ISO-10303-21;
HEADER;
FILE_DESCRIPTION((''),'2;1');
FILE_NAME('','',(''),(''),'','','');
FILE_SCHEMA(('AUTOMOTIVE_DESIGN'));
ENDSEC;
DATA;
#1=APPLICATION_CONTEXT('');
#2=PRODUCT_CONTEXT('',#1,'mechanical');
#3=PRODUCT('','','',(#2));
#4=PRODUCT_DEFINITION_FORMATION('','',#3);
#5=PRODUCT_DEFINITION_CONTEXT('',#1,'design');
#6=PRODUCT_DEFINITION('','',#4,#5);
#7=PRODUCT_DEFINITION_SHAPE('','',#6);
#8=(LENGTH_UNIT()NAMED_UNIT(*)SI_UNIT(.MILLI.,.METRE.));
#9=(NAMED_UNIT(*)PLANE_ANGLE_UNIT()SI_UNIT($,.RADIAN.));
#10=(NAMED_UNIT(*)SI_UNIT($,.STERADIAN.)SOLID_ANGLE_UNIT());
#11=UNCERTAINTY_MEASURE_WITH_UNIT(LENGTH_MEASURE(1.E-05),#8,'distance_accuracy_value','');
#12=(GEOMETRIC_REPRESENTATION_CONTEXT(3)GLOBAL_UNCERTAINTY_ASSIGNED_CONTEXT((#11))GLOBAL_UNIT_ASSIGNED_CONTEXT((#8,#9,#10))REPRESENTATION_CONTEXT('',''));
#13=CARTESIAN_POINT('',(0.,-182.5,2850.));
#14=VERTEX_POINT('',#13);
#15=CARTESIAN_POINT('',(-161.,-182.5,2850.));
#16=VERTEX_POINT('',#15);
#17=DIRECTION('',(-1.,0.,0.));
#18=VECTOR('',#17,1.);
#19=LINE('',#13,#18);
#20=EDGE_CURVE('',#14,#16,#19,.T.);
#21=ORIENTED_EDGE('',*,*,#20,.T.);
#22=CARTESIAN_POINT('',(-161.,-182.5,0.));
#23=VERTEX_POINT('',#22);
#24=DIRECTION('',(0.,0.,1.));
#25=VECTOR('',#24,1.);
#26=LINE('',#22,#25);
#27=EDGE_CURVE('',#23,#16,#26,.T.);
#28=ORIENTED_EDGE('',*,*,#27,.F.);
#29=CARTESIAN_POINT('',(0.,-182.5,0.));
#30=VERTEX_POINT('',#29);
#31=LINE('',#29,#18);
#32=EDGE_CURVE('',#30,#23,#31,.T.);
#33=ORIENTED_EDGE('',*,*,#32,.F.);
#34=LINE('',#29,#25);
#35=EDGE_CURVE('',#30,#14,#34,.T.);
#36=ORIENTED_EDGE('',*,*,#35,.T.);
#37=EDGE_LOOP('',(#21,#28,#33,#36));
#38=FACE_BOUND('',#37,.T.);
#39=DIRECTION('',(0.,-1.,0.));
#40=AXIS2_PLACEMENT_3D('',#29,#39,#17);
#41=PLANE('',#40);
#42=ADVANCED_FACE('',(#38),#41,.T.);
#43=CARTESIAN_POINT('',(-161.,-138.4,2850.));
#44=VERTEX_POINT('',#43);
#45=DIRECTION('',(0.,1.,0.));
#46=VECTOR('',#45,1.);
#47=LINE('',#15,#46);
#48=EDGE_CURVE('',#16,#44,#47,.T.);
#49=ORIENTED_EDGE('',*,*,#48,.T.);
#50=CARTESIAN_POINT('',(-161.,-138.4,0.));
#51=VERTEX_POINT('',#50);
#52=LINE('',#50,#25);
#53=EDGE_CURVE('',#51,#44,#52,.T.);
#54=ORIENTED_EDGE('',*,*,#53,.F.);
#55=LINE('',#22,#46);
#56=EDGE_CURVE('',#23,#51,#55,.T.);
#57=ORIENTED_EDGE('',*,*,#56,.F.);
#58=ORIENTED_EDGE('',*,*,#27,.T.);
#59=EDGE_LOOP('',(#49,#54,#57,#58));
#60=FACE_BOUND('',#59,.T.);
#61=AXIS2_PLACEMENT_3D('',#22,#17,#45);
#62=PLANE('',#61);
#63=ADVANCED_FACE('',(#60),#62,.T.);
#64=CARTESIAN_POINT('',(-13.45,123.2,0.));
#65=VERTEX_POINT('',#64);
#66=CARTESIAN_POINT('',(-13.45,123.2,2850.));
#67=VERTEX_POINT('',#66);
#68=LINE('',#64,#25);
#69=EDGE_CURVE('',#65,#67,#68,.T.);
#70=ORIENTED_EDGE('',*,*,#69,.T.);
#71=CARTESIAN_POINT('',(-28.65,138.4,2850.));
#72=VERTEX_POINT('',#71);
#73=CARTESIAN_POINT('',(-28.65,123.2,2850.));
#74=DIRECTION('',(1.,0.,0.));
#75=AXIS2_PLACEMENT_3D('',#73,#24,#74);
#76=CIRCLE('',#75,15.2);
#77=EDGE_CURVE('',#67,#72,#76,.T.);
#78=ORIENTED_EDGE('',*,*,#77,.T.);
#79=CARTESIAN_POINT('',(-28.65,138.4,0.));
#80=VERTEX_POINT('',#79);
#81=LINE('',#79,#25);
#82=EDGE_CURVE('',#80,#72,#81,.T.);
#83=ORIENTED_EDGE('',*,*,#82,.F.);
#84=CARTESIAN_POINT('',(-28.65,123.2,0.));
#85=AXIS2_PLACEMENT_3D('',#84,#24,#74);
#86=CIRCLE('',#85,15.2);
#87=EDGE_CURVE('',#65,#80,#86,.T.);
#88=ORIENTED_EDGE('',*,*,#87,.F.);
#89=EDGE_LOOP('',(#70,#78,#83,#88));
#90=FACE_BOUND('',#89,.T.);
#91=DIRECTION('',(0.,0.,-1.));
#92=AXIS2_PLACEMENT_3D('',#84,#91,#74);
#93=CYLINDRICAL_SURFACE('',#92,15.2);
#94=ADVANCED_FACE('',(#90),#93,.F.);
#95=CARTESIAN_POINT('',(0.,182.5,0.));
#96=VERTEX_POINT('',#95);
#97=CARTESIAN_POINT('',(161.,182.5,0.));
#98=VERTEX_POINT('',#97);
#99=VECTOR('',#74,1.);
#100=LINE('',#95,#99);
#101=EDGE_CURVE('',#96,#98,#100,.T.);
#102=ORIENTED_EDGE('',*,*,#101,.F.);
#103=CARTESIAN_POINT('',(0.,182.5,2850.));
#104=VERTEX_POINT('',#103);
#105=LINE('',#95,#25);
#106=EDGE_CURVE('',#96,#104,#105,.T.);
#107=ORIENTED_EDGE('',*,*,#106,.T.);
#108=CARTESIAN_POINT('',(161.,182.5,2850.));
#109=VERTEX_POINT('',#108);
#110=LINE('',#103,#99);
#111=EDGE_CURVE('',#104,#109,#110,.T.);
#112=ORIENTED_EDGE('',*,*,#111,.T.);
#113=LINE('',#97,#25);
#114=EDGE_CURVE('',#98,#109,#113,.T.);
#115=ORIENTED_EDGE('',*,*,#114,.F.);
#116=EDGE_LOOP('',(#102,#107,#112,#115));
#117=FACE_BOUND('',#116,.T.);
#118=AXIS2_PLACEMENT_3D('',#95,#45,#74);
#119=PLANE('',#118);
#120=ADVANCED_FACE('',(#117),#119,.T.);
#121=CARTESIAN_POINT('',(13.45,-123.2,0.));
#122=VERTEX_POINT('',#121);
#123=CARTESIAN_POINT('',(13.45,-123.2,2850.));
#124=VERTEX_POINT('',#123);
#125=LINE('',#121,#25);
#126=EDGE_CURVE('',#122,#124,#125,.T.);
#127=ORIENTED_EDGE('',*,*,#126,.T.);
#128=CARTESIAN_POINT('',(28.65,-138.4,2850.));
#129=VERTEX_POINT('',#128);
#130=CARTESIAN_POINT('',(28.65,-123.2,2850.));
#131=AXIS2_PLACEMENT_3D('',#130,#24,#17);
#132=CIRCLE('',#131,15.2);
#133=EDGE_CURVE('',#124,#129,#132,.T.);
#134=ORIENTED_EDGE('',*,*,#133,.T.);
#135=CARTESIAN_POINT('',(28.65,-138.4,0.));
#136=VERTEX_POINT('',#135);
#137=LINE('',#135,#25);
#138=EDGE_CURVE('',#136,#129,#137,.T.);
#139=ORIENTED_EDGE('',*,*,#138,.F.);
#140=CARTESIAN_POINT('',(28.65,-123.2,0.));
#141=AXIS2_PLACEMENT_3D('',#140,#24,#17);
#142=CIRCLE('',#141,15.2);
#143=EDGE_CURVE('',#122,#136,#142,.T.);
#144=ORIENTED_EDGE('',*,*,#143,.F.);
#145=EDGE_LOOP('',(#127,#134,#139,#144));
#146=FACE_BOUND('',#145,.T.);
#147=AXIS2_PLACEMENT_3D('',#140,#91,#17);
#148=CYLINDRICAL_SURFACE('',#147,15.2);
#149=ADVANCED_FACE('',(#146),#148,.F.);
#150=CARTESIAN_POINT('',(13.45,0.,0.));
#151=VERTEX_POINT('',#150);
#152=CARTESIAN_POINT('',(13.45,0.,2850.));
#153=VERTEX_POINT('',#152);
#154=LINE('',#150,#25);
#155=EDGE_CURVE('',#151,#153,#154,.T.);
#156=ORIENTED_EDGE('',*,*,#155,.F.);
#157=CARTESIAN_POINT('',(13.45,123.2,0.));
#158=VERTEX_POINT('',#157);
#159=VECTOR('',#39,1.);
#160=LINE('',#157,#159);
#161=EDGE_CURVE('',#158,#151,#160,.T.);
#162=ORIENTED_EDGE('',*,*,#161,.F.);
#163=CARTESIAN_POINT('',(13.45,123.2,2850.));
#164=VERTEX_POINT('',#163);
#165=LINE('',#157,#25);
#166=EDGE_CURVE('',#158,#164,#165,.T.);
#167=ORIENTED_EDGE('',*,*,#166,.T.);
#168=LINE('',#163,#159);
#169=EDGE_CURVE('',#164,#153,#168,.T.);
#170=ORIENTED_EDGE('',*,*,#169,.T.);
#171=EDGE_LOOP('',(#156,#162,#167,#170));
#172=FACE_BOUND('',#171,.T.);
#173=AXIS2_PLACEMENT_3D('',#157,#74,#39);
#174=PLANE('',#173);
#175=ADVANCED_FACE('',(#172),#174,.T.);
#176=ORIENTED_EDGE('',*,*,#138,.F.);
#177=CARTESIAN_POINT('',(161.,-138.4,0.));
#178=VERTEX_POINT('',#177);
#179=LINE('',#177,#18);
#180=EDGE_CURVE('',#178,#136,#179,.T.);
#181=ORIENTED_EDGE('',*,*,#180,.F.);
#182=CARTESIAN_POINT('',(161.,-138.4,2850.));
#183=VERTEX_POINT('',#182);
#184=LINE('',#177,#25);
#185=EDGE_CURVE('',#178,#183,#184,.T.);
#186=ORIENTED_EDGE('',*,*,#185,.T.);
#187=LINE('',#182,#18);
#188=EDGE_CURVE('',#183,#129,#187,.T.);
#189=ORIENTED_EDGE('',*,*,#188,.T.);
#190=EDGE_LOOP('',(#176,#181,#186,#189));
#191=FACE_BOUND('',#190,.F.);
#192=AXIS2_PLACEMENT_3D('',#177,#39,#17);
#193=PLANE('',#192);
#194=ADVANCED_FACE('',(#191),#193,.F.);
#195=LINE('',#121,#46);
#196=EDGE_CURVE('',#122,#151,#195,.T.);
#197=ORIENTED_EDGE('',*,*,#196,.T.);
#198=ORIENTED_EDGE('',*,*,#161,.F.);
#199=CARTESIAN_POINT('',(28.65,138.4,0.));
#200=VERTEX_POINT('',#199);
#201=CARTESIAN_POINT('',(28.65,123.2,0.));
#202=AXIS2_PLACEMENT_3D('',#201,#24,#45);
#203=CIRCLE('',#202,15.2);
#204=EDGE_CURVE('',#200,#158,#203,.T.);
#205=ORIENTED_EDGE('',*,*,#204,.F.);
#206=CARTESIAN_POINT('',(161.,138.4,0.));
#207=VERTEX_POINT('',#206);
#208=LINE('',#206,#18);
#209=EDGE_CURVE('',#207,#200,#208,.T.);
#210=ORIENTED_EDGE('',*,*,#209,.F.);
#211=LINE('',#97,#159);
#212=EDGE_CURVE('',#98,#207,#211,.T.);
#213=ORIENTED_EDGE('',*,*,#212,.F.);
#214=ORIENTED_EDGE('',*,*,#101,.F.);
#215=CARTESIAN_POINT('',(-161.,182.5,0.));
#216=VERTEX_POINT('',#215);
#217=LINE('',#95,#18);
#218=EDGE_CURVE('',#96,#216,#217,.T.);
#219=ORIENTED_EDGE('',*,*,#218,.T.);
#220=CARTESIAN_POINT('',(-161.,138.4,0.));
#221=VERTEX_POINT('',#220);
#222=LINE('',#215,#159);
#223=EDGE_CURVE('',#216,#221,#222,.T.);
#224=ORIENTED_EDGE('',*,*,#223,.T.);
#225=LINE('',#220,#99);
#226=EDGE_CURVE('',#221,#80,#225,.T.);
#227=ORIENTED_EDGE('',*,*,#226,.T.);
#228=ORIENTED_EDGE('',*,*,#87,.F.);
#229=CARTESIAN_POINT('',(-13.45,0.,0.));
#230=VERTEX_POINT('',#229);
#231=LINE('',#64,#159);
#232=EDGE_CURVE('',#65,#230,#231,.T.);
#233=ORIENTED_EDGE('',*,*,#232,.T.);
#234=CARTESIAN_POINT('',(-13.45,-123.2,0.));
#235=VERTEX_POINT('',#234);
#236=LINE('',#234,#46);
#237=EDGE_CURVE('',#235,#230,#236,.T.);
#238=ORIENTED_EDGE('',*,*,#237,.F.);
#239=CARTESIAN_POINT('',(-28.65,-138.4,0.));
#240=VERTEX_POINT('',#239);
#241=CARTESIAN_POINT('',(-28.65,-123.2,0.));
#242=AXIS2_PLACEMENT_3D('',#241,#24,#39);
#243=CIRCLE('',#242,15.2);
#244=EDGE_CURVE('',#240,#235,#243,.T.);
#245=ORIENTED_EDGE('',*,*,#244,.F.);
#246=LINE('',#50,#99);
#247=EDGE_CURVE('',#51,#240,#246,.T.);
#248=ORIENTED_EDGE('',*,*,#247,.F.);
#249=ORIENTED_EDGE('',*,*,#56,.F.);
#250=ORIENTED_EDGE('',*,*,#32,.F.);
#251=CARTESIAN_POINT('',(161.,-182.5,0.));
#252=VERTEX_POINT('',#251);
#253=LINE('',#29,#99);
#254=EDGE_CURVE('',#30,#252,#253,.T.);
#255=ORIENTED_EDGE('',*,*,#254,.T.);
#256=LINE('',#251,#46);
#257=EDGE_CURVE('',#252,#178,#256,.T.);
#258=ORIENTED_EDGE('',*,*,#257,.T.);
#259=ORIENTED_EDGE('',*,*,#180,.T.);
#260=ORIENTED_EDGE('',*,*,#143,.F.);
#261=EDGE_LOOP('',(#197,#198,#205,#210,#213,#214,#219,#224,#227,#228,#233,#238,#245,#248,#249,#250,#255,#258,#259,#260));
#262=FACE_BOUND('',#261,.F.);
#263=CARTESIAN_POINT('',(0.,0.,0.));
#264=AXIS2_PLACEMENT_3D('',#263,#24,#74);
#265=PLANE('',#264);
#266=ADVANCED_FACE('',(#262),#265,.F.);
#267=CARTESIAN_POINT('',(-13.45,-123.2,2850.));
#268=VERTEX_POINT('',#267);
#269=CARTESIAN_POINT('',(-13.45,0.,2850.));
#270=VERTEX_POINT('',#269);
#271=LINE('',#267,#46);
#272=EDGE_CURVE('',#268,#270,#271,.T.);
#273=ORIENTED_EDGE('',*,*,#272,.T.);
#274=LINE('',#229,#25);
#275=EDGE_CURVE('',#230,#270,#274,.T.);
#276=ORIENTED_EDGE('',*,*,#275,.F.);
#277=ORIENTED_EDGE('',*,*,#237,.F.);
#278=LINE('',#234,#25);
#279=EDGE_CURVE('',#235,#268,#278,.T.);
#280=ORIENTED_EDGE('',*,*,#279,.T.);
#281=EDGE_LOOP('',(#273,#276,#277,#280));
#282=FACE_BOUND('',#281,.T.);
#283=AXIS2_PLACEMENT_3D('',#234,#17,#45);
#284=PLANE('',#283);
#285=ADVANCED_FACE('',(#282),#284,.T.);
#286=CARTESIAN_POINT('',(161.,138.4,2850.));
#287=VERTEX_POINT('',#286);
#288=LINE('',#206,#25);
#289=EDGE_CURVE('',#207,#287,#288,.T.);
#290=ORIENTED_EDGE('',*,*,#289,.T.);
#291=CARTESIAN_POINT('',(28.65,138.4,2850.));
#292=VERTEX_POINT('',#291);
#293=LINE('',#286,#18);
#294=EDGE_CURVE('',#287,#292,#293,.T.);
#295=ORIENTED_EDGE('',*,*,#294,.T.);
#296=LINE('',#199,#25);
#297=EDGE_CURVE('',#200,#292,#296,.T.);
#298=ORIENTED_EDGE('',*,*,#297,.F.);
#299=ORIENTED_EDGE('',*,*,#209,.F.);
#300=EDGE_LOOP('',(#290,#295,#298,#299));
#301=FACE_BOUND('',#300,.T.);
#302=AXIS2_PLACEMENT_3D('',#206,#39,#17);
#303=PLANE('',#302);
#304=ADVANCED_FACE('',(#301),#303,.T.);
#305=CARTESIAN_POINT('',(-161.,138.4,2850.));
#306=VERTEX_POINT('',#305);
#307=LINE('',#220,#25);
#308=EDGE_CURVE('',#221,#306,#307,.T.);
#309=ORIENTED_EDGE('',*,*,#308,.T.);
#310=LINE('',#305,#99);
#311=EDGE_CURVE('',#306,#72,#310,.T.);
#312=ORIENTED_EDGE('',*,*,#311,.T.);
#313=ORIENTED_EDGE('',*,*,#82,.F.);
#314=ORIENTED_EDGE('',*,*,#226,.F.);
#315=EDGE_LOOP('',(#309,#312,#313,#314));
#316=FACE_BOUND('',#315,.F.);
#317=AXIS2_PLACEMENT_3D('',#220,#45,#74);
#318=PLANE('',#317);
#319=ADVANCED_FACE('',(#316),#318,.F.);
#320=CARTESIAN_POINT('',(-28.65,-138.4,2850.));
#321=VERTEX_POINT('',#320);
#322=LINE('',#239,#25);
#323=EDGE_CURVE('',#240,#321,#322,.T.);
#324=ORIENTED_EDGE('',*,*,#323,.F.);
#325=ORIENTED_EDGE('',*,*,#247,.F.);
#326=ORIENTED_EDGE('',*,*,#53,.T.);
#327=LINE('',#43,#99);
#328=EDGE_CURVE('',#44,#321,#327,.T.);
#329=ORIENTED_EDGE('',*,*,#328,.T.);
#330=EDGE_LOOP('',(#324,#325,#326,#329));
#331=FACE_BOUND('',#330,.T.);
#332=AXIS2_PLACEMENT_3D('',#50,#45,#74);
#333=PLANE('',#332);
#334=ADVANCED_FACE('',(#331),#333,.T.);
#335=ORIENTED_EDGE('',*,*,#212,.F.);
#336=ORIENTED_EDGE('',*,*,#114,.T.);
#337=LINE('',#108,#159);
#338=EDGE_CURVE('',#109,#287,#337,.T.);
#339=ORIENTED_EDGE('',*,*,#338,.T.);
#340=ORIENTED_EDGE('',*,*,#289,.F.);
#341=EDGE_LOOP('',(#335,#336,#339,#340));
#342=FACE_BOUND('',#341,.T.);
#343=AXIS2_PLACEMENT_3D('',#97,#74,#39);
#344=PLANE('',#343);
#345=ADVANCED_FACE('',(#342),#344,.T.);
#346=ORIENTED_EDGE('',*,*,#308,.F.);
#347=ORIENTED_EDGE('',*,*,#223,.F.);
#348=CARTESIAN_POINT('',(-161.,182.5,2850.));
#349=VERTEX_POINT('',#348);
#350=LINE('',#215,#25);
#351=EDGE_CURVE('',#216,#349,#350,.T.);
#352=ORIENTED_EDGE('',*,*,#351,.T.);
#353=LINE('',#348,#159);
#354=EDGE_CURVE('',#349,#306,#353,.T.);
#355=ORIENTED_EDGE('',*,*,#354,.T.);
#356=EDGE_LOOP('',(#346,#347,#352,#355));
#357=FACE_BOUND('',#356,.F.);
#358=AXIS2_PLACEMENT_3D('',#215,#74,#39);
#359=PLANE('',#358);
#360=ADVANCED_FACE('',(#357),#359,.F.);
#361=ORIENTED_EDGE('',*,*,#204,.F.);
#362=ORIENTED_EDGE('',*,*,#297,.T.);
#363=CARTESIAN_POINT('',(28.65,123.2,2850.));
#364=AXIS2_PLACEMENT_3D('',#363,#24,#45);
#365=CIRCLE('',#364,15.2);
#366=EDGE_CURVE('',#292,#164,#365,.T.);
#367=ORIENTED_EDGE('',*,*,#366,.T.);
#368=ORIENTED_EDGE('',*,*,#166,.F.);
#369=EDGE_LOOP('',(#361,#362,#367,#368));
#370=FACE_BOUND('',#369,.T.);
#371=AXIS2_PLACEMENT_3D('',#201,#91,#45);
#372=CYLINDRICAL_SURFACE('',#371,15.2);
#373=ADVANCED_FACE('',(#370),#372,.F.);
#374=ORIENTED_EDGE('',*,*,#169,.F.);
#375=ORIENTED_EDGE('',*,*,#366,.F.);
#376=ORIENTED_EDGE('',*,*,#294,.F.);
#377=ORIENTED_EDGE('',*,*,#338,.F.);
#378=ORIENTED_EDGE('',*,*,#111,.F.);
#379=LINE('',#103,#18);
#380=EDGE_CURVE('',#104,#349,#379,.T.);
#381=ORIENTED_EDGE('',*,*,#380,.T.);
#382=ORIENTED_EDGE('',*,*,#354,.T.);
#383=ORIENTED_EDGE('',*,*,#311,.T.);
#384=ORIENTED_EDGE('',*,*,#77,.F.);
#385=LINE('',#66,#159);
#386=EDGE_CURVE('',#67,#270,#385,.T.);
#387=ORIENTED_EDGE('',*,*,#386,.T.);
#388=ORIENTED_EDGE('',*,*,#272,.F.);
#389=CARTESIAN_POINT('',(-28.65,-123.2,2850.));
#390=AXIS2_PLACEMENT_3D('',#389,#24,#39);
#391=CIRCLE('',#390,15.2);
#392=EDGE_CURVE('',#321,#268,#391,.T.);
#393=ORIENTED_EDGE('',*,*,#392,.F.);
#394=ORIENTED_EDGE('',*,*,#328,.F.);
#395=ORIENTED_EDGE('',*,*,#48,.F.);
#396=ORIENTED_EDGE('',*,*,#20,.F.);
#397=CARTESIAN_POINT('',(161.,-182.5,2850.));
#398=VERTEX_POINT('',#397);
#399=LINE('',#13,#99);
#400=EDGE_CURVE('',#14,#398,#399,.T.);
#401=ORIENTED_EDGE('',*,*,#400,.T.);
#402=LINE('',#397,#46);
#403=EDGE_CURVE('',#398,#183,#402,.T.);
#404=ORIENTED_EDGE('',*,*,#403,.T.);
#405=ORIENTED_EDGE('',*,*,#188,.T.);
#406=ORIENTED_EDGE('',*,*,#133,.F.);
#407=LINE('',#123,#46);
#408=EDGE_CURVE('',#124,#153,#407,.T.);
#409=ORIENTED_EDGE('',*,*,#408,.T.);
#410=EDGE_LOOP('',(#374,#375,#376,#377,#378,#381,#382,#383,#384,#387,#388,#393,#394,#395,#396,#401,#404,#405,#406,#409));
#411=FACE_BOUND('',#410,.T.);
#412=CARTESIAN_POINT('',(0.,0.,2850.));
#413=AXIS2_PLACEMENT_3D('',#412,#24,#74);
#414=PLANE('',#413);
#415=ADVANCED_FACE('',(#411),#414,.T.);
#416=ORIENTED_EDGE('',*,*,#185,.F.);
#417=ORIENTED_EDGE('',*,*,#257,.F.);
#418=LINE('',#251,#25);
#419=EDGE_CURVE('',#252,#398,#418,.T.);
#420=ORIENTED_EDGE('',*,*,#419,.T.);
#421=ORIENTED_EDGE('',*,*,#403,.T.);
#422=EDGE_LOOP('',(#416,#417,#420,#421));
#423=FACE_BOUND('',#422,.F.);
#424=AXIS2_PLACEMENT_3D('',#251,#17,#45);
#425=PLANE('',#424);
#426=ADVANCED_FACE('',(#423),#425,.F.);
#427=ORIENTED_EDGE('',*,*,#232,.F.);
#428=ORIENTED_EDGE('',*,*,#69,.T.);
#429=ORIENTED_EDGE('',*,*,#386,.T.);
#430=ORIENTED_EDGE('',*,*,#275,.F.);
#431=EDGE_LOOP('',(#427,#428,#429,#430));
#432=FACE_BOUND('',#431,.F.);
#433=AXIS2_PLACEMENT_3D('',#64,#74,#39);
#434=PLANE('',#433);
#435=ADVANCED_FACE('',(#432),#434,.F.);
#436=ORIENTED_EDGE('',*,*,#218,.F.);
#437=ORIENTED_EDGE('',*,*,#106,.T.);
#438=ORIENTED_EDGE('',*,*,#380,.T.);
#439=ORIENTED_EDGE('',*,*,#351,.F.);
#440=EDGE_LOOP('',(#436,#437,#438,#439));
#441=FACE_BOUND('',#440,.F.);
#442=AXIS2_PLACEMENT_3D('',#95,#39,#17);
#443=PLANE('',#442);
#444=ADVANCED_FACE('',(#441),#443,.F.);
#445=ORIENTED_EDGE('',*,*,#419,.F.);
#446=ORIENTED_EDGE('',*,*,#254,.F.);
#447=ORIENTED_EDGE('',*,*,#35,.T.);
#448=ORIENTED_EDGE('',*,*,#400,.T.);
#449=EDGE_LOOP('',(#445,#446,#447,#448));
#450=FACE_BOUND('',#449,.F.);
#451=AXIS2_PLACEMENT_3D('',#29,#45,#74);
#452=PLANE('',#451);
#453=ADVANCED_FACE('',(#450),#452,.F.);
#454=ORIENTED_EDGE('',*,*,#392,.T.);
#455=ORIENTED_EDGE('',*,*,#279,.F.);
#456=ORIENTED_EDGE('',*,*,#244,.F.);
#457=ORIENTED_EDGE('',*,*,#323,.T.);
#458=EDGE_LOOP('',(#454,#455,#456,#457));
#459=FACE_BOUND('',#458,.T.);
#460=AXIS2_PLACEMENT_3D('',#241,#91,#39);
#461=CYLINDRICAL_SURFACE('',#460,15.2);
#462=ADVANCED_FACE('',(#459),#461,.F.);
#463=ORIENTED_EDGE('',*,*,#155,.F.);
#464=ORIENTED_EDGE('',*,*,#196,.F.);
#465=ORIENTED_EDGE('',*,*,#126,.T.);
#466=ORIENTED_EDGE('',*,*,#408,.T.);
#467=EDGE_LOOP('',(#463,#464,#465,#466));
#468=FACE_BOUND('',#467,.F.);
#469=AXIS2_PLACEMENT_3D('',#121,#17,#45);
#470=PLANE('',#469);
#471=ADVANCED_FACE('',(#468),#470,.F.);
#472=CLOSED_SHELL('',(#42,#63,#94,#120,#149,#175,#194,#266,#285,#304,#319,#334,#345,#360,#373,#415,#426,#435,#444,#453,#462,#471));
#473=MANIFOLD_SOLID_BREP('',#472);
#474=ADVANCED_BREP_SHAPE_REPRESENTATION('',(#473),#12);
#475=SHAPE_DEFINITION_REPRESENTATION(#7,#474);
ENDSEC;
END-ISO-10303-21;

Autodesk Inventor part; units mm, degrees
ref_plane "YZ Plane" through (0, 0, 0) normal (1, 0, 0) x (0, 1, 0)
ref_plane "Start plane" through (0, 0, 0) normal (0, 0, 1) x (1, 0, 0)
ref_plane "End plane" through (0, 0, 2850) normal (0, 0, 1) x (1, 0, 0)
sketch "Sketch" plane through (0, 0, 0) normal (0, 0, 1) x (1, 0, 0)
  line L0 (-161, -182.5) -> (-161, -138.4)
  line L1 (-161, -138.4) -> (-28.65, -138.4)
  line L2 (-13.45, -123.2) -> (-13.45, 0)
  line L3 (-13.45, 0) -> (0, 0) construction
  line L4 (0, 0) -> (0, -182.5) construction
  line L5 (0, -182.5) -> (-161, -182.5)
  line L6 (-60, 0) -> (80, 0) construction
  line L7 (0, -60) -> (0, 80) construction
  line L8 (161, -182.5) -> (161, -138.4)
  line L9 (161, -138.4) -> (28.65, -138.4)
  line L10 (13.45, -123.2) -> (13.45, 0)
  line L11 (13.45, 0) -> (0, 0) construction
  line L12 (0, -182.5) -> (161, -182.5)
  line L13 (-161, 182.5) -> (-161, 138.4)
  line L14 (-161, 138.4) -> (-28.65, 138.4)
  line L15 (-13.45, 123.2) -> (-13.45, 0)
  line L16 (0, 182.5) -> (-161, 182.5)
  line L17 (161, 182.5) -> (161, 138.4)
  line L18 (161, 138.4) -> (28.65, 138.4)
  line L19 (0, 182.5) -> (161, 182.5)
  line L20 (13.45, 123.2) -> (13.45, 0)
  arc A0 (-13.45, 123.2) -> (-28.65, 138.4) centre (-28.65, 123.2) ccw
  arc A1 (28.65, 138.4) -> (13.45, 123.2) centre (28.65, 123.2) ccw
  arc A2 (13.45, -123.2) -> (28.65, -138.4) centre (28.65, -123.2) ccw
  arc A3 (-28.65, -138.4) -> (-13.45, -123.2) centre (-28.65, -123.2) ccw
  line L21 (0, 108) -> (0, -88) construction
  line L22 (-88, 0) -> (108, 0) construction
  point P0 (-13.45, -138.4)
  point P1 (13.45, -138.4)
  point P2 (-13.45, 138.4)
  point P3 (13.45, 138.4)
  dimension "d1" = 182.5
  dimension "d2" = 44.1
  dimension "d3" = 161
  dimension "d4" = 13.45
  dimension "d10" = 15.2
extrude "Body" add sketch "Sketch" along normal up to surface (2850 mm away) from surface at 0
sketch "Sketch4" plane through (0, 0, 0) normal (0, 0, 1) x (1, 0, 0)
  line L0 (0, 0) -> (10, 0)
ref_plane "Work Plane3" through (0, 0, 0) normal (0, -1, 0) x (1, 0, 0)
sketch "Sketch5" plane through (0, 0, 0) normal (0, -1, 0) x (1, 0, 0)
  line L0 (-2, 0) -> (12, 0) projected
  line L1 (-2, 2850) -> (12, 2850) projected
  dimension "d14" = 2850
equation "\"d1\" = 0.5 * G_H"
equation "\"d2\" = G_T1"
equation "\"d3\" = 0.5 * G_W"
equation "\"d4\" = 0.5 * G_T"
equation "\"d10\" = G_IR"
equation "\"d5\" = G_L"
equation "\"G_W\" = 322"
equation "\"G_H\" = 365"
equation "\"G_T\" = 26.9"
equation "\"G_T1\" = 44.1"
equation "\"G_IR\" = 15.2"
equation "\"G_L\" = d14"
equation "\"G_OFFSET_START\" = 0"
equation "\"G_OFFSET_END\" = 0"
properties part number "AS 3679 - 310 UC - 283 - 2850" material "Steel, Mild"
